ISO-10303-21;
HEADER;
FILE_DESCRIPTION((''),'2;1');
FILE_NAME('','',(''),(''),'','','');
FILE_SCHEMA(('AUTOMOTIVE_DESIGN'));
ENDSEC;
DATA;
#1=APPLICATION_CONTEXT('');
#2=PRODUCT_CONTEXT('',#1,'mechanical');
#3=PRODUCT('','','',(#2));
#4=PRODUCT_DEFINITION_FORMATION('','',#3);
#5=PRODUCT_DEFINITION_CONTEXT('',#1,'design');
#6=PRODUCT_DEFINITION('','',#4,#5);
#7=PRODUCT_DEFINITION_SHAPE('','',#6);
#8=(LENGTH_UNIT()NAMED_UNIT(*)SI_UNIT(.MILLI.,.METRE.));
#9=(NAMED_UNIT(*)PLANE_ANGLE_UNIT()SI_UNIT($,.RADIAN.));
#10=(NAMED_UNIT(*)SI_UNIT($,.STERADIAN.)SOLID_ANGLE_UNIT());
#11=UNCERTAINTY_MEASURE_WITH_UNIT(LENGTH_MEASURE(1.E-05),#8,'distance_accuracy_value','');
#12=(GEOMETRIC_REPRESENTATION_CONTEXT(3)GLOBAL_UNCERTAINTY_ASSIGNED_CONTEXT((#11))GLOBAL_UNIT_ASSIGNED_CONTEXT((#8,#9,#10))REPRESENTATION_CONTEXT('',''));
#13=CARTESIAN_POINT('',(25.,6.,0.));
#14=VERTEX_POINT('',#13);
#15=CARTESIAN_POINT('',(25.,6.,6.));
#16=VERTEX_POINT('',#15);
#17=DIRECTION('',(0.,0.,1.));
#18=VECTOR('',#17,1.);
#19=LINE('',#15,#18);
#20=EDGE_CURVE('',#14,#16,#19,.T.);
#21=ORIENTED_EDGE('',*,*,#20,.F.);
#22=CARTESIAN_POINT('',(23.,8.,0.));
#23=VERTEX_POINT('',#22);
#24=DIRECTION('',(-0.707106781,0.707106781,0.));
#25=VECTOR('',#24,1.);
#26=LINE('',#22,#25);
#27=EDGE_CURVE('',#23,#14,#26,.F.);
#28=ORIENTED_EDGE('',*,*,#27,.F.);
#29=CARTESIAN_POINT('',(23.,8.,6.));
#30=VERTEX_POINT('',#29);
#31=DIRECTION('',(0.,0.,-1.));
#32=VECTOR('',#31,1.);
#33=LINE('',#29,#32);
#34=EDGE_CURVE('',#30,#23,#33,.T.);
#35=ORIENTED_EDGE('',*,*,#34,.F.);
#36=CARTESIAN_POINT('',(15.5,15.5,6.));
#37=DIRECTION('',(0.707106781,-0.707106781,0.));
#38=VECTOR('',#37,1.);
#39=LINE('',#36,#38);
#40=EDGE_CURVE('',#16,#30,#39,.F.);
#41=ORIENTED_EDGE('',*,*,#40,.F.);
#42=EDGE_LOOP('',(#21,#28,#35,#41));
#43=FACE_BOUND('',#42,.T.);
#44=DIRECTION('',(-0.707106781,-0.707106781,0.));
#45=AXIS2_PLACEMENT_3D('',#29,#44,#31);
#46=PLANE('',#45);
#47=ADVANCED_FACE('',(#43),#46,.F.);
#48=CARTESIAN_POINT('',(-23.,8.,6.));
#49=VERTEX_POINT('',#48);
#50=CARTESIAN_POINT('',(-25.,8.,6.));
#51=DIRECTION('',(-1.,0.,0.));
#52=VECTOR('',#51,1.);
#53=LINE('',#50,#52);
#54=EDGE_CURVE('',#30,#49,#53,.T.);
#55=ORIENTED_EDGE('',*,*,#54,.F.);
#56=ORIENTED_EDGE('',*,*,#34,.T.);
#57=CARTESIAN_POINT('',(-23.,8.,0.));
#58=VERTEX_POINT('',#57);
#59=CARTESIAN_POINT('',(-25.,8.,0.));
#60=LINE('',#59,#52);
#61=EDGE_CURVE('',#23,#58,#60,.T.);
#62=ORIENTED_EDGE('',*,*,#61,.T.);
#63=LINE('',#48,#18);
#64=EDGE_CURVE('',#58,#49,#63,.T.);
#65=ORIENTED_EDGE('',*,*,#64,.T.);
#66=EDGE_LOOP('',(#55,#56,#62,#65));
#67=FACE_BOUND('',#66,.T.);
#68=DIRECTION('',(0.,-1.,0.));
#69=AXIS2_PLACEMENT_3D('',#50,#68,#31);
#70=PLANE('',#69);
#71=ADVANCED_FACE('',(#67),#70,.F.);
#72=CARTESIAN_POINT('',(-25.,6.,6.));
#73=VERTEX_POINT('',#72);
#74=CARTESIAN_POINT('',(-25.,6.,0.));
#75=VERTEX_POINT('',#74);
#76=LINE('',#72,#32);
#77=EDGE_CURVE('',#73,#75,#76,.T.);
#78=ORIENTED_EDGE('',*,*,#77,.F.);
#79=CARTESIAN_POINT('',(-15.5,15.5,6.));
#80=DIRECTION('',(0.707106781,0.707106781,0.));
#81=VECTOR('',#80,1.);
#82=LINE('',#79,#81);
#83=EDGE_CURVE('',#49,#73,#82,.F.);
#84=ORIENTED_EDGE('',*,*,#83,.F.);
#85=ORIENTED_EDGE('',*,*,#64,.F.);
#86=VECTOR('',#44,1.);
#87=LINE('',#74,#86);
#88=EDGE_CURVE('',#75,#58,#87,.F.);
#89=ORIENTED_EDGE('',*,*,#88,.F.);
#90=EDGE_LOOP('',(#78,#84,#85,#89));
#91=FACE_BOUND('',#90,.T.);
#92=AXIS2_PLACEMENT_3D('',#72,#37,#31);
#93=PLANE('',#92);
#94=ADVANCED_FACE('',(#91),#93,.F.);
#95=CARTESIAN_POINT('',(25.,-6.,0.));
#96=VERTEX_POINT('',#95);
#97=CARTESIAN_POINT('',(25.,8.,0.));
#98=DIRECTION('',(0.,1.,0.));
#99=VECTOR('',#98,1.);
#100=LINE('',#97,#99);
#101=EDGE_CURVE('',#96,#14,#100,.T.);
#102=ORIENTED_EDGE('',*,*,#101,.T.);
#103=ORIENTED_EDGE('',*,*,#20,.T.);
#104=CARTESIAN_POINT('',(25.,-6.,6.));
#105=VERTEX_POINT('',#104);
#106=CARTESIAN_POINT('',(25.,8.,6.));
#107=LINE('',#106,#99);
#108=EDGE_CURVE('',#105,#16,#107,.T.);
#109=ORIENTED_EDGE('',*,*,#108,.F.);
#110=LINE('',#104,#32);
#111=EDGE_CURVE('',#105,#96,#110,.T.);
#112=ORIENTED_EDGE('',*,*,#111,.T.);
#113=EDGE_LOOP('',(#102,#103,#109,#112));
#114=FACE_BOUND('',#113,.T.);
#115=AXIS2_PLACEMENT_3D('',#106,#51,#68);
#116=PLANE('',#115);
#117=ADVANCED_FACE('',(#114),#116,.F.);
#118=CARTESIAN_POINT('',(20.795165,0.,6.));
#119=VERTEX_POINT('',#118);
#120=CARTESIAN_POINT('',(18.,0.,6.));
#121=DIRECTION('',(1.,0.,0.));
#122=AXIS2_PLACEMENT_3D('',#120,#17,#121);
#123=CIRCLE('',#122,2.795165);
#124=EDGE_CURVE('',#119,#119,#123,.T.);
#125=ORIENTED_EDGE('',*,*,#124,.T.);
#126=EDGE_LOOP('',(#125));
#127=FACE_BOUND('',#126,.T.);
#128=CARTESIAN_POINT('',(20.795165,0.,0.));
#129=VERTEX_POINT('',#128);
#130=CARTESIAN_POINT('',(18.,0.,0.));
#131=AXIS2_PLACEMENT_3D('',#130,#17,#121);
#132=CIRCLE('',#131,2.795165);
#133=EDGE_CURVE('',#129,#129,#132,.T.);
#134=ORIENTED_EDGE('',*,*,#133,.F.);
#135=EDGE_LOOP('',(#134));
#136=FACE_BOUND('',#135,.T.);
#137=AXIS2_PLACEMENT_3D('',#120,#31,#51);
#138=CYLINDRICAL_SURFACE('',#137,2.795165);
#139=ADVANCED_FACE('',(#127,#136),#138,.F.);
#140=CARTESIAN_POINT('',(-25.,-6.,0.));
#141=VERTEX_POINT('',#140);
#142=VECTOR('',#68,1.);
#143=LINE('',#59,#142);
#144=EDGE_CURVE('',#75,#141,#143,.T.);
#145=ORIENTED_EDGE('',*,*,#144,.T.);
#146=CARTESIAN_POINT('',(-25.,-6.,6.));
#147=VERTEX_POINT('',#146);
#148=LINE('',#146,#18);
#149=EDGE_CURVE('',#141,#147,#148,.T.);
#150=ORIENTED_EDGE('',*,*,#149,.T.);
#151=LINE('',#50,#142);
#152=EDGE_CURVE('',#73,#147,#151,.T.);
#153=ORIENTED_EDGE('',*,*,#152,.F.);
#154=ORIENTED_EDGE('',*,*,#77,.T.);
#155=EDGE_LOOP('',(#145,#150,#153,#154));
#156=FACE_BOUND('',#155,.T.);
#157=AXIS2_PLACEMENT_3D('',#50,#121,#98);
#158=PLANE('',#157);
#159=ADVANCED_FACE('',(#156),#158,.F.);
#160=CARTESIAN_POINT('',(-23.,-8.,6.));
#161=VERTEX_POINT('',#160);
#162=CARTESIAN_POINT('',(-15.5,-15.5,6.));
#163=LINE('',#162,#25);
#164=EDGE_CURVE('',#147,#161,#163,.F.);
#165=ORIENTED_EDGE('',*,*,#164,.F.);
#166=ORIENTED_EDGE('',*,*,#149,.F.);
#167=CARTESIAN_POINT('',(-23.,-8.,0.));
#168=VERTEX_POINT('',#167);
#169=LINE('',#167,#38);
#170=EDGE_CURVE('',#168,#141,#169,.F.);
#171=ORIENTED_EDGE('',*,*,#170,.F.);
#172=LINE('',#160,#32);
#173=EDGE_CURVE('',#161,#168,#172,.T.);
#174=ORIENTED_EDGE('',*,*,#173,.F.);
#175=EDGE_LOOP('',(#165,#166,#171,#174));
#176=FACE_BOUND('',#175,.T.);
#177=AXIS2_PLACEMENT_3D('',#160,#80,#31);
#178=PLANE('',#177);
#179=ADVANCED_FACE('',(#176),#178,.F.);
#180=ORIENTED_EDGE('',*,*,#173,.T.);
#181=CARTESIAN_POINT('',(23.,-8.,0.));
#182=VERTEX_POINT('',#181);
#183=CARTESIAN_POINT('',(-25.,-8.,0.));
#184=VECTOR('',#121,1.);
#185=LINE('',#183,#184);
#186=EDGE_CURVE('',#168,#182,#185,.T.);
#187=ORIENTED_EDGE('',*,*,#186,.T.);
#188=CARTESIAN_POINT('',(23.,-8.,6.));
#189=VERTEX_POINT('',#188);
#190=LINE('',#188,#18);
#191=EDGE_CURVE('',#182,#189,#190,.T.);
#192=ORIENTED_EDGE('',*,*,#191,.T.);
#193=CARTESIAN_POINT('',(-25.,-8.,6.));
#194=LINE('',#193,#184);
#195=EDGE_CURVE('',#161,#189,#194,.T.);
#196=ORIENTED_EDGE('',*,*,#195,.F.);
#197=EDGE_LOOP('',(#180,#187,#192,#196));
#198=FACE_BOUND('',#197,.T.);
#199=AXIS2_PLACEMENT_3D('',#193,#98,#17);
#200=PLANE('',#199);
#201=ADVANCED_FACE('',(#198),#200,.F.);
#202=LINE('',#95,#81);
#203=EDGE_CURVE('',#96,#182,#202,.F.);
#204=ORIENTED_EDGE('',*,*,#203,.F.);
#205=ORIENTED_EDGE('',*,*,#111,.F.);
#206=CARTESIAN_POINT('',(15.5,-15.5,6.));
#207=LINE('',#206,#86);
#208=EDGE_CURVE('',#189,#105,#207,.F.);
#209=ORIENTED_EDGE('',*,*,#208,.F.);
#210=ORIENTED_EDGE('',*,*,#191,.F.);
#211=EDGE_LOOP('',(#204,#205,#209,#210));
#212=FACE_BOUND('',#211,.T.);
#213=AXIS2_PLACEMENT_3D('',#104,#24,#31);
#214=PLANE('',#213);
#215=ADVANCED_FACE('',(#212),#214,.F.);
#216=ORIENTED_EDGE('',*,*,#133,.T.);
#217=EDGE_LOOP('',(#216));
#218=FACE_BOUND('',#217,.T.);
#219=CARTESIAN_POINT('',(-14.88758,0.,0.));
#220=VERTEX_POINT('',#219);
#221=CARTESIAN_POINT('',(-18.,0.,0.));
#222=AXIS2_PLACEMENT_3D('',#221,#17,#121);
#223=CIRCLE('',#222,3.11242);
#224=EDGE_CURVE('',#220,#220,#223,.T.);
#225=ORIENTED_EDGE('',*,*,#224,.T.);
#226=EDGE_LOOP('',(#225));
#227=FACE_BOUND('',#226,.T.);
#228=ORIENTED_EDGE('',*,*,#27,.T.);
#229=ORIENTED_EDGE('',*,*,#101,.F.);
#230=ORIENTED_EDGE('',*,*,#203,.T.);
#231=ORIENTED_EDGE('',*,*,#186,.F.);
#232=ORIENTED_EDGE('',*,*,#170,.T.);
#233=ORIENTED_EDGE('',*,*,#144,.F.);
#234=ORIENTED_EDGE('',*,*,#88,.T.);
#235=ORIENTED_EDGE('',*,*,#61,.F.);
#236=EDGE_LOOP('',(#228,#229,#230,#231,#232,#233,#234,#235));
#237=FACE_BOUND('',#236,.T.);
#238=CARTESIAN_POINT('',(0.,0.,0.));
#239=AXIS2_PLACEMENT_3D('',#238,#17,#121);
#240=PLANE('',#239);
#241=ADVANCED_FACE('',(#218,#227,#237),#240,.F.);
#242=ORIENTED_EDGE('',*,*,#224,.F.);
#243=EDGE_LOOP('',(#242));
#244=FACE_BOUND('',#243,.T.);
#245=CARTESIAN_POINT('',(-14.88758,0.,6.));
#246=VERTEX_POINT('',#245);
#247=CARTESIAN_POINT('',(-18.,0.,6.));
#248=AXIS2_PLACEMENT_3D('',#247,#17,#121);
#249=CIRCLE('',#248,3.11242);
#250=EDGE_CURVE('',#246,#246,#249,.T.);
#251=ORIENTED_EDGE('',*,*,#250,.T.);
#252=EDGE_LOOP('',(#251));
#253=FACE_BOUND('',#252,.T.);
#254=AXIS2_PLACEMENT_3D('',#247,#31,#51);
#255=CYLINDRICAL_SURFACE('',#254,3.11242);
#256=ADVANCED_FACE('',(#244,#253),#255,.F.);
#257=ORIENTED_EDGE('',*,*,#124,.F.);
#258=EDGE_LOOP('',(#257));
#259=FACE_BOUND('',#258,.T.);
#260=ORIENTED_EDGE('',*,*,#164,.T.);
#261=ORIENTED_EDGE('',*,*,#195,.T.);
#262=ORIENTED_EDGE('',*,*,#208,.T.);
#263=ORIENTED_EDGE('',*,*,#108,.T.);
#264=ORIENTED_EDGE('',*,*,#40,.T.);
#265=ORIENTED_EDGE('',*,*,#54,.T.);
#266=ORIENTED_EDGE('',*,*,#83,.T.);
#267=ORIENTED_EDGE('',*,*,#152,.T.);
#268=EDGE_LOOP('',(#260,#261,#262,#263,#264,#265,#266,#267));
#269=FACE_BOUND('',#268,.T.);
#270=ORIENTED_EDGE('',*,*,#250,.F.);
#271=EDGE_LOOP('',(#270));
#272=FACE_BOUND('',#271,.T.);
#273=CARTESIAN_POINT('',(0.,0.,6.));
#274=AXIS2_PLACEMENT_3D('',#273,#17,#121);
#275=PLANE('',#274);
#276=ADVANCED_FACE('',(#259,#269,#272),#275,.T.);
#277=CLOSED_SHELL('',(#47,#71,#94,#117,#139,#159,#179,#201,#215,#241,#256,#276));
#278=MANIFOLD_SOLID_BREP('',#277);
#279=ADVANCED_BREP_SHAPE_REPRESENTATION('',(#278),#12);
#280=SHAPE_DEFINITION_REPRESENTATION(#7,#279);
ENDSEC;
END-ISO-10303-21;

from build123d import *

# Parameters (mm, degrees)
SKETCH1_W           = 50
SKETCH1_H           = 16
SKETCH1_R           = 3.112420157
SKETCH1_R_2         = 2.795165179
BOSS_EXTRUDE1_DEPTH = 6
CHAMFER1_SIZE       = 2


with BuildPart() as part:
    # Sketch1 → Boss-Extrude1 (new body)
    with BuildSketch(Plane.XY):
        Rectangle(SKETCH1_W, SKETCH1_H)
        with Locations((-18, 0)):
            Circle(SKETCH1_R, mode=Mode.SUBTRACT)
        with Locations((18, 0)):
            Circle(SKETCH1_R_2, mode=Mode.SUBTRACT)
    extrude(amount=BOSS_EXTRUDE1_DEPTH)

    # Chamfer1
    chamfer1_edges = [part.edges().sort_by_distance(p)[0] for p in [
        (25, -8, 3),
        (-25, -8, 3),
        (-25, 8, 3),
        (25, 8, 3),
    ]]
    chamfer(chamfer1_edges, length=CHAMFER1_SIZE)


solid = part.part
